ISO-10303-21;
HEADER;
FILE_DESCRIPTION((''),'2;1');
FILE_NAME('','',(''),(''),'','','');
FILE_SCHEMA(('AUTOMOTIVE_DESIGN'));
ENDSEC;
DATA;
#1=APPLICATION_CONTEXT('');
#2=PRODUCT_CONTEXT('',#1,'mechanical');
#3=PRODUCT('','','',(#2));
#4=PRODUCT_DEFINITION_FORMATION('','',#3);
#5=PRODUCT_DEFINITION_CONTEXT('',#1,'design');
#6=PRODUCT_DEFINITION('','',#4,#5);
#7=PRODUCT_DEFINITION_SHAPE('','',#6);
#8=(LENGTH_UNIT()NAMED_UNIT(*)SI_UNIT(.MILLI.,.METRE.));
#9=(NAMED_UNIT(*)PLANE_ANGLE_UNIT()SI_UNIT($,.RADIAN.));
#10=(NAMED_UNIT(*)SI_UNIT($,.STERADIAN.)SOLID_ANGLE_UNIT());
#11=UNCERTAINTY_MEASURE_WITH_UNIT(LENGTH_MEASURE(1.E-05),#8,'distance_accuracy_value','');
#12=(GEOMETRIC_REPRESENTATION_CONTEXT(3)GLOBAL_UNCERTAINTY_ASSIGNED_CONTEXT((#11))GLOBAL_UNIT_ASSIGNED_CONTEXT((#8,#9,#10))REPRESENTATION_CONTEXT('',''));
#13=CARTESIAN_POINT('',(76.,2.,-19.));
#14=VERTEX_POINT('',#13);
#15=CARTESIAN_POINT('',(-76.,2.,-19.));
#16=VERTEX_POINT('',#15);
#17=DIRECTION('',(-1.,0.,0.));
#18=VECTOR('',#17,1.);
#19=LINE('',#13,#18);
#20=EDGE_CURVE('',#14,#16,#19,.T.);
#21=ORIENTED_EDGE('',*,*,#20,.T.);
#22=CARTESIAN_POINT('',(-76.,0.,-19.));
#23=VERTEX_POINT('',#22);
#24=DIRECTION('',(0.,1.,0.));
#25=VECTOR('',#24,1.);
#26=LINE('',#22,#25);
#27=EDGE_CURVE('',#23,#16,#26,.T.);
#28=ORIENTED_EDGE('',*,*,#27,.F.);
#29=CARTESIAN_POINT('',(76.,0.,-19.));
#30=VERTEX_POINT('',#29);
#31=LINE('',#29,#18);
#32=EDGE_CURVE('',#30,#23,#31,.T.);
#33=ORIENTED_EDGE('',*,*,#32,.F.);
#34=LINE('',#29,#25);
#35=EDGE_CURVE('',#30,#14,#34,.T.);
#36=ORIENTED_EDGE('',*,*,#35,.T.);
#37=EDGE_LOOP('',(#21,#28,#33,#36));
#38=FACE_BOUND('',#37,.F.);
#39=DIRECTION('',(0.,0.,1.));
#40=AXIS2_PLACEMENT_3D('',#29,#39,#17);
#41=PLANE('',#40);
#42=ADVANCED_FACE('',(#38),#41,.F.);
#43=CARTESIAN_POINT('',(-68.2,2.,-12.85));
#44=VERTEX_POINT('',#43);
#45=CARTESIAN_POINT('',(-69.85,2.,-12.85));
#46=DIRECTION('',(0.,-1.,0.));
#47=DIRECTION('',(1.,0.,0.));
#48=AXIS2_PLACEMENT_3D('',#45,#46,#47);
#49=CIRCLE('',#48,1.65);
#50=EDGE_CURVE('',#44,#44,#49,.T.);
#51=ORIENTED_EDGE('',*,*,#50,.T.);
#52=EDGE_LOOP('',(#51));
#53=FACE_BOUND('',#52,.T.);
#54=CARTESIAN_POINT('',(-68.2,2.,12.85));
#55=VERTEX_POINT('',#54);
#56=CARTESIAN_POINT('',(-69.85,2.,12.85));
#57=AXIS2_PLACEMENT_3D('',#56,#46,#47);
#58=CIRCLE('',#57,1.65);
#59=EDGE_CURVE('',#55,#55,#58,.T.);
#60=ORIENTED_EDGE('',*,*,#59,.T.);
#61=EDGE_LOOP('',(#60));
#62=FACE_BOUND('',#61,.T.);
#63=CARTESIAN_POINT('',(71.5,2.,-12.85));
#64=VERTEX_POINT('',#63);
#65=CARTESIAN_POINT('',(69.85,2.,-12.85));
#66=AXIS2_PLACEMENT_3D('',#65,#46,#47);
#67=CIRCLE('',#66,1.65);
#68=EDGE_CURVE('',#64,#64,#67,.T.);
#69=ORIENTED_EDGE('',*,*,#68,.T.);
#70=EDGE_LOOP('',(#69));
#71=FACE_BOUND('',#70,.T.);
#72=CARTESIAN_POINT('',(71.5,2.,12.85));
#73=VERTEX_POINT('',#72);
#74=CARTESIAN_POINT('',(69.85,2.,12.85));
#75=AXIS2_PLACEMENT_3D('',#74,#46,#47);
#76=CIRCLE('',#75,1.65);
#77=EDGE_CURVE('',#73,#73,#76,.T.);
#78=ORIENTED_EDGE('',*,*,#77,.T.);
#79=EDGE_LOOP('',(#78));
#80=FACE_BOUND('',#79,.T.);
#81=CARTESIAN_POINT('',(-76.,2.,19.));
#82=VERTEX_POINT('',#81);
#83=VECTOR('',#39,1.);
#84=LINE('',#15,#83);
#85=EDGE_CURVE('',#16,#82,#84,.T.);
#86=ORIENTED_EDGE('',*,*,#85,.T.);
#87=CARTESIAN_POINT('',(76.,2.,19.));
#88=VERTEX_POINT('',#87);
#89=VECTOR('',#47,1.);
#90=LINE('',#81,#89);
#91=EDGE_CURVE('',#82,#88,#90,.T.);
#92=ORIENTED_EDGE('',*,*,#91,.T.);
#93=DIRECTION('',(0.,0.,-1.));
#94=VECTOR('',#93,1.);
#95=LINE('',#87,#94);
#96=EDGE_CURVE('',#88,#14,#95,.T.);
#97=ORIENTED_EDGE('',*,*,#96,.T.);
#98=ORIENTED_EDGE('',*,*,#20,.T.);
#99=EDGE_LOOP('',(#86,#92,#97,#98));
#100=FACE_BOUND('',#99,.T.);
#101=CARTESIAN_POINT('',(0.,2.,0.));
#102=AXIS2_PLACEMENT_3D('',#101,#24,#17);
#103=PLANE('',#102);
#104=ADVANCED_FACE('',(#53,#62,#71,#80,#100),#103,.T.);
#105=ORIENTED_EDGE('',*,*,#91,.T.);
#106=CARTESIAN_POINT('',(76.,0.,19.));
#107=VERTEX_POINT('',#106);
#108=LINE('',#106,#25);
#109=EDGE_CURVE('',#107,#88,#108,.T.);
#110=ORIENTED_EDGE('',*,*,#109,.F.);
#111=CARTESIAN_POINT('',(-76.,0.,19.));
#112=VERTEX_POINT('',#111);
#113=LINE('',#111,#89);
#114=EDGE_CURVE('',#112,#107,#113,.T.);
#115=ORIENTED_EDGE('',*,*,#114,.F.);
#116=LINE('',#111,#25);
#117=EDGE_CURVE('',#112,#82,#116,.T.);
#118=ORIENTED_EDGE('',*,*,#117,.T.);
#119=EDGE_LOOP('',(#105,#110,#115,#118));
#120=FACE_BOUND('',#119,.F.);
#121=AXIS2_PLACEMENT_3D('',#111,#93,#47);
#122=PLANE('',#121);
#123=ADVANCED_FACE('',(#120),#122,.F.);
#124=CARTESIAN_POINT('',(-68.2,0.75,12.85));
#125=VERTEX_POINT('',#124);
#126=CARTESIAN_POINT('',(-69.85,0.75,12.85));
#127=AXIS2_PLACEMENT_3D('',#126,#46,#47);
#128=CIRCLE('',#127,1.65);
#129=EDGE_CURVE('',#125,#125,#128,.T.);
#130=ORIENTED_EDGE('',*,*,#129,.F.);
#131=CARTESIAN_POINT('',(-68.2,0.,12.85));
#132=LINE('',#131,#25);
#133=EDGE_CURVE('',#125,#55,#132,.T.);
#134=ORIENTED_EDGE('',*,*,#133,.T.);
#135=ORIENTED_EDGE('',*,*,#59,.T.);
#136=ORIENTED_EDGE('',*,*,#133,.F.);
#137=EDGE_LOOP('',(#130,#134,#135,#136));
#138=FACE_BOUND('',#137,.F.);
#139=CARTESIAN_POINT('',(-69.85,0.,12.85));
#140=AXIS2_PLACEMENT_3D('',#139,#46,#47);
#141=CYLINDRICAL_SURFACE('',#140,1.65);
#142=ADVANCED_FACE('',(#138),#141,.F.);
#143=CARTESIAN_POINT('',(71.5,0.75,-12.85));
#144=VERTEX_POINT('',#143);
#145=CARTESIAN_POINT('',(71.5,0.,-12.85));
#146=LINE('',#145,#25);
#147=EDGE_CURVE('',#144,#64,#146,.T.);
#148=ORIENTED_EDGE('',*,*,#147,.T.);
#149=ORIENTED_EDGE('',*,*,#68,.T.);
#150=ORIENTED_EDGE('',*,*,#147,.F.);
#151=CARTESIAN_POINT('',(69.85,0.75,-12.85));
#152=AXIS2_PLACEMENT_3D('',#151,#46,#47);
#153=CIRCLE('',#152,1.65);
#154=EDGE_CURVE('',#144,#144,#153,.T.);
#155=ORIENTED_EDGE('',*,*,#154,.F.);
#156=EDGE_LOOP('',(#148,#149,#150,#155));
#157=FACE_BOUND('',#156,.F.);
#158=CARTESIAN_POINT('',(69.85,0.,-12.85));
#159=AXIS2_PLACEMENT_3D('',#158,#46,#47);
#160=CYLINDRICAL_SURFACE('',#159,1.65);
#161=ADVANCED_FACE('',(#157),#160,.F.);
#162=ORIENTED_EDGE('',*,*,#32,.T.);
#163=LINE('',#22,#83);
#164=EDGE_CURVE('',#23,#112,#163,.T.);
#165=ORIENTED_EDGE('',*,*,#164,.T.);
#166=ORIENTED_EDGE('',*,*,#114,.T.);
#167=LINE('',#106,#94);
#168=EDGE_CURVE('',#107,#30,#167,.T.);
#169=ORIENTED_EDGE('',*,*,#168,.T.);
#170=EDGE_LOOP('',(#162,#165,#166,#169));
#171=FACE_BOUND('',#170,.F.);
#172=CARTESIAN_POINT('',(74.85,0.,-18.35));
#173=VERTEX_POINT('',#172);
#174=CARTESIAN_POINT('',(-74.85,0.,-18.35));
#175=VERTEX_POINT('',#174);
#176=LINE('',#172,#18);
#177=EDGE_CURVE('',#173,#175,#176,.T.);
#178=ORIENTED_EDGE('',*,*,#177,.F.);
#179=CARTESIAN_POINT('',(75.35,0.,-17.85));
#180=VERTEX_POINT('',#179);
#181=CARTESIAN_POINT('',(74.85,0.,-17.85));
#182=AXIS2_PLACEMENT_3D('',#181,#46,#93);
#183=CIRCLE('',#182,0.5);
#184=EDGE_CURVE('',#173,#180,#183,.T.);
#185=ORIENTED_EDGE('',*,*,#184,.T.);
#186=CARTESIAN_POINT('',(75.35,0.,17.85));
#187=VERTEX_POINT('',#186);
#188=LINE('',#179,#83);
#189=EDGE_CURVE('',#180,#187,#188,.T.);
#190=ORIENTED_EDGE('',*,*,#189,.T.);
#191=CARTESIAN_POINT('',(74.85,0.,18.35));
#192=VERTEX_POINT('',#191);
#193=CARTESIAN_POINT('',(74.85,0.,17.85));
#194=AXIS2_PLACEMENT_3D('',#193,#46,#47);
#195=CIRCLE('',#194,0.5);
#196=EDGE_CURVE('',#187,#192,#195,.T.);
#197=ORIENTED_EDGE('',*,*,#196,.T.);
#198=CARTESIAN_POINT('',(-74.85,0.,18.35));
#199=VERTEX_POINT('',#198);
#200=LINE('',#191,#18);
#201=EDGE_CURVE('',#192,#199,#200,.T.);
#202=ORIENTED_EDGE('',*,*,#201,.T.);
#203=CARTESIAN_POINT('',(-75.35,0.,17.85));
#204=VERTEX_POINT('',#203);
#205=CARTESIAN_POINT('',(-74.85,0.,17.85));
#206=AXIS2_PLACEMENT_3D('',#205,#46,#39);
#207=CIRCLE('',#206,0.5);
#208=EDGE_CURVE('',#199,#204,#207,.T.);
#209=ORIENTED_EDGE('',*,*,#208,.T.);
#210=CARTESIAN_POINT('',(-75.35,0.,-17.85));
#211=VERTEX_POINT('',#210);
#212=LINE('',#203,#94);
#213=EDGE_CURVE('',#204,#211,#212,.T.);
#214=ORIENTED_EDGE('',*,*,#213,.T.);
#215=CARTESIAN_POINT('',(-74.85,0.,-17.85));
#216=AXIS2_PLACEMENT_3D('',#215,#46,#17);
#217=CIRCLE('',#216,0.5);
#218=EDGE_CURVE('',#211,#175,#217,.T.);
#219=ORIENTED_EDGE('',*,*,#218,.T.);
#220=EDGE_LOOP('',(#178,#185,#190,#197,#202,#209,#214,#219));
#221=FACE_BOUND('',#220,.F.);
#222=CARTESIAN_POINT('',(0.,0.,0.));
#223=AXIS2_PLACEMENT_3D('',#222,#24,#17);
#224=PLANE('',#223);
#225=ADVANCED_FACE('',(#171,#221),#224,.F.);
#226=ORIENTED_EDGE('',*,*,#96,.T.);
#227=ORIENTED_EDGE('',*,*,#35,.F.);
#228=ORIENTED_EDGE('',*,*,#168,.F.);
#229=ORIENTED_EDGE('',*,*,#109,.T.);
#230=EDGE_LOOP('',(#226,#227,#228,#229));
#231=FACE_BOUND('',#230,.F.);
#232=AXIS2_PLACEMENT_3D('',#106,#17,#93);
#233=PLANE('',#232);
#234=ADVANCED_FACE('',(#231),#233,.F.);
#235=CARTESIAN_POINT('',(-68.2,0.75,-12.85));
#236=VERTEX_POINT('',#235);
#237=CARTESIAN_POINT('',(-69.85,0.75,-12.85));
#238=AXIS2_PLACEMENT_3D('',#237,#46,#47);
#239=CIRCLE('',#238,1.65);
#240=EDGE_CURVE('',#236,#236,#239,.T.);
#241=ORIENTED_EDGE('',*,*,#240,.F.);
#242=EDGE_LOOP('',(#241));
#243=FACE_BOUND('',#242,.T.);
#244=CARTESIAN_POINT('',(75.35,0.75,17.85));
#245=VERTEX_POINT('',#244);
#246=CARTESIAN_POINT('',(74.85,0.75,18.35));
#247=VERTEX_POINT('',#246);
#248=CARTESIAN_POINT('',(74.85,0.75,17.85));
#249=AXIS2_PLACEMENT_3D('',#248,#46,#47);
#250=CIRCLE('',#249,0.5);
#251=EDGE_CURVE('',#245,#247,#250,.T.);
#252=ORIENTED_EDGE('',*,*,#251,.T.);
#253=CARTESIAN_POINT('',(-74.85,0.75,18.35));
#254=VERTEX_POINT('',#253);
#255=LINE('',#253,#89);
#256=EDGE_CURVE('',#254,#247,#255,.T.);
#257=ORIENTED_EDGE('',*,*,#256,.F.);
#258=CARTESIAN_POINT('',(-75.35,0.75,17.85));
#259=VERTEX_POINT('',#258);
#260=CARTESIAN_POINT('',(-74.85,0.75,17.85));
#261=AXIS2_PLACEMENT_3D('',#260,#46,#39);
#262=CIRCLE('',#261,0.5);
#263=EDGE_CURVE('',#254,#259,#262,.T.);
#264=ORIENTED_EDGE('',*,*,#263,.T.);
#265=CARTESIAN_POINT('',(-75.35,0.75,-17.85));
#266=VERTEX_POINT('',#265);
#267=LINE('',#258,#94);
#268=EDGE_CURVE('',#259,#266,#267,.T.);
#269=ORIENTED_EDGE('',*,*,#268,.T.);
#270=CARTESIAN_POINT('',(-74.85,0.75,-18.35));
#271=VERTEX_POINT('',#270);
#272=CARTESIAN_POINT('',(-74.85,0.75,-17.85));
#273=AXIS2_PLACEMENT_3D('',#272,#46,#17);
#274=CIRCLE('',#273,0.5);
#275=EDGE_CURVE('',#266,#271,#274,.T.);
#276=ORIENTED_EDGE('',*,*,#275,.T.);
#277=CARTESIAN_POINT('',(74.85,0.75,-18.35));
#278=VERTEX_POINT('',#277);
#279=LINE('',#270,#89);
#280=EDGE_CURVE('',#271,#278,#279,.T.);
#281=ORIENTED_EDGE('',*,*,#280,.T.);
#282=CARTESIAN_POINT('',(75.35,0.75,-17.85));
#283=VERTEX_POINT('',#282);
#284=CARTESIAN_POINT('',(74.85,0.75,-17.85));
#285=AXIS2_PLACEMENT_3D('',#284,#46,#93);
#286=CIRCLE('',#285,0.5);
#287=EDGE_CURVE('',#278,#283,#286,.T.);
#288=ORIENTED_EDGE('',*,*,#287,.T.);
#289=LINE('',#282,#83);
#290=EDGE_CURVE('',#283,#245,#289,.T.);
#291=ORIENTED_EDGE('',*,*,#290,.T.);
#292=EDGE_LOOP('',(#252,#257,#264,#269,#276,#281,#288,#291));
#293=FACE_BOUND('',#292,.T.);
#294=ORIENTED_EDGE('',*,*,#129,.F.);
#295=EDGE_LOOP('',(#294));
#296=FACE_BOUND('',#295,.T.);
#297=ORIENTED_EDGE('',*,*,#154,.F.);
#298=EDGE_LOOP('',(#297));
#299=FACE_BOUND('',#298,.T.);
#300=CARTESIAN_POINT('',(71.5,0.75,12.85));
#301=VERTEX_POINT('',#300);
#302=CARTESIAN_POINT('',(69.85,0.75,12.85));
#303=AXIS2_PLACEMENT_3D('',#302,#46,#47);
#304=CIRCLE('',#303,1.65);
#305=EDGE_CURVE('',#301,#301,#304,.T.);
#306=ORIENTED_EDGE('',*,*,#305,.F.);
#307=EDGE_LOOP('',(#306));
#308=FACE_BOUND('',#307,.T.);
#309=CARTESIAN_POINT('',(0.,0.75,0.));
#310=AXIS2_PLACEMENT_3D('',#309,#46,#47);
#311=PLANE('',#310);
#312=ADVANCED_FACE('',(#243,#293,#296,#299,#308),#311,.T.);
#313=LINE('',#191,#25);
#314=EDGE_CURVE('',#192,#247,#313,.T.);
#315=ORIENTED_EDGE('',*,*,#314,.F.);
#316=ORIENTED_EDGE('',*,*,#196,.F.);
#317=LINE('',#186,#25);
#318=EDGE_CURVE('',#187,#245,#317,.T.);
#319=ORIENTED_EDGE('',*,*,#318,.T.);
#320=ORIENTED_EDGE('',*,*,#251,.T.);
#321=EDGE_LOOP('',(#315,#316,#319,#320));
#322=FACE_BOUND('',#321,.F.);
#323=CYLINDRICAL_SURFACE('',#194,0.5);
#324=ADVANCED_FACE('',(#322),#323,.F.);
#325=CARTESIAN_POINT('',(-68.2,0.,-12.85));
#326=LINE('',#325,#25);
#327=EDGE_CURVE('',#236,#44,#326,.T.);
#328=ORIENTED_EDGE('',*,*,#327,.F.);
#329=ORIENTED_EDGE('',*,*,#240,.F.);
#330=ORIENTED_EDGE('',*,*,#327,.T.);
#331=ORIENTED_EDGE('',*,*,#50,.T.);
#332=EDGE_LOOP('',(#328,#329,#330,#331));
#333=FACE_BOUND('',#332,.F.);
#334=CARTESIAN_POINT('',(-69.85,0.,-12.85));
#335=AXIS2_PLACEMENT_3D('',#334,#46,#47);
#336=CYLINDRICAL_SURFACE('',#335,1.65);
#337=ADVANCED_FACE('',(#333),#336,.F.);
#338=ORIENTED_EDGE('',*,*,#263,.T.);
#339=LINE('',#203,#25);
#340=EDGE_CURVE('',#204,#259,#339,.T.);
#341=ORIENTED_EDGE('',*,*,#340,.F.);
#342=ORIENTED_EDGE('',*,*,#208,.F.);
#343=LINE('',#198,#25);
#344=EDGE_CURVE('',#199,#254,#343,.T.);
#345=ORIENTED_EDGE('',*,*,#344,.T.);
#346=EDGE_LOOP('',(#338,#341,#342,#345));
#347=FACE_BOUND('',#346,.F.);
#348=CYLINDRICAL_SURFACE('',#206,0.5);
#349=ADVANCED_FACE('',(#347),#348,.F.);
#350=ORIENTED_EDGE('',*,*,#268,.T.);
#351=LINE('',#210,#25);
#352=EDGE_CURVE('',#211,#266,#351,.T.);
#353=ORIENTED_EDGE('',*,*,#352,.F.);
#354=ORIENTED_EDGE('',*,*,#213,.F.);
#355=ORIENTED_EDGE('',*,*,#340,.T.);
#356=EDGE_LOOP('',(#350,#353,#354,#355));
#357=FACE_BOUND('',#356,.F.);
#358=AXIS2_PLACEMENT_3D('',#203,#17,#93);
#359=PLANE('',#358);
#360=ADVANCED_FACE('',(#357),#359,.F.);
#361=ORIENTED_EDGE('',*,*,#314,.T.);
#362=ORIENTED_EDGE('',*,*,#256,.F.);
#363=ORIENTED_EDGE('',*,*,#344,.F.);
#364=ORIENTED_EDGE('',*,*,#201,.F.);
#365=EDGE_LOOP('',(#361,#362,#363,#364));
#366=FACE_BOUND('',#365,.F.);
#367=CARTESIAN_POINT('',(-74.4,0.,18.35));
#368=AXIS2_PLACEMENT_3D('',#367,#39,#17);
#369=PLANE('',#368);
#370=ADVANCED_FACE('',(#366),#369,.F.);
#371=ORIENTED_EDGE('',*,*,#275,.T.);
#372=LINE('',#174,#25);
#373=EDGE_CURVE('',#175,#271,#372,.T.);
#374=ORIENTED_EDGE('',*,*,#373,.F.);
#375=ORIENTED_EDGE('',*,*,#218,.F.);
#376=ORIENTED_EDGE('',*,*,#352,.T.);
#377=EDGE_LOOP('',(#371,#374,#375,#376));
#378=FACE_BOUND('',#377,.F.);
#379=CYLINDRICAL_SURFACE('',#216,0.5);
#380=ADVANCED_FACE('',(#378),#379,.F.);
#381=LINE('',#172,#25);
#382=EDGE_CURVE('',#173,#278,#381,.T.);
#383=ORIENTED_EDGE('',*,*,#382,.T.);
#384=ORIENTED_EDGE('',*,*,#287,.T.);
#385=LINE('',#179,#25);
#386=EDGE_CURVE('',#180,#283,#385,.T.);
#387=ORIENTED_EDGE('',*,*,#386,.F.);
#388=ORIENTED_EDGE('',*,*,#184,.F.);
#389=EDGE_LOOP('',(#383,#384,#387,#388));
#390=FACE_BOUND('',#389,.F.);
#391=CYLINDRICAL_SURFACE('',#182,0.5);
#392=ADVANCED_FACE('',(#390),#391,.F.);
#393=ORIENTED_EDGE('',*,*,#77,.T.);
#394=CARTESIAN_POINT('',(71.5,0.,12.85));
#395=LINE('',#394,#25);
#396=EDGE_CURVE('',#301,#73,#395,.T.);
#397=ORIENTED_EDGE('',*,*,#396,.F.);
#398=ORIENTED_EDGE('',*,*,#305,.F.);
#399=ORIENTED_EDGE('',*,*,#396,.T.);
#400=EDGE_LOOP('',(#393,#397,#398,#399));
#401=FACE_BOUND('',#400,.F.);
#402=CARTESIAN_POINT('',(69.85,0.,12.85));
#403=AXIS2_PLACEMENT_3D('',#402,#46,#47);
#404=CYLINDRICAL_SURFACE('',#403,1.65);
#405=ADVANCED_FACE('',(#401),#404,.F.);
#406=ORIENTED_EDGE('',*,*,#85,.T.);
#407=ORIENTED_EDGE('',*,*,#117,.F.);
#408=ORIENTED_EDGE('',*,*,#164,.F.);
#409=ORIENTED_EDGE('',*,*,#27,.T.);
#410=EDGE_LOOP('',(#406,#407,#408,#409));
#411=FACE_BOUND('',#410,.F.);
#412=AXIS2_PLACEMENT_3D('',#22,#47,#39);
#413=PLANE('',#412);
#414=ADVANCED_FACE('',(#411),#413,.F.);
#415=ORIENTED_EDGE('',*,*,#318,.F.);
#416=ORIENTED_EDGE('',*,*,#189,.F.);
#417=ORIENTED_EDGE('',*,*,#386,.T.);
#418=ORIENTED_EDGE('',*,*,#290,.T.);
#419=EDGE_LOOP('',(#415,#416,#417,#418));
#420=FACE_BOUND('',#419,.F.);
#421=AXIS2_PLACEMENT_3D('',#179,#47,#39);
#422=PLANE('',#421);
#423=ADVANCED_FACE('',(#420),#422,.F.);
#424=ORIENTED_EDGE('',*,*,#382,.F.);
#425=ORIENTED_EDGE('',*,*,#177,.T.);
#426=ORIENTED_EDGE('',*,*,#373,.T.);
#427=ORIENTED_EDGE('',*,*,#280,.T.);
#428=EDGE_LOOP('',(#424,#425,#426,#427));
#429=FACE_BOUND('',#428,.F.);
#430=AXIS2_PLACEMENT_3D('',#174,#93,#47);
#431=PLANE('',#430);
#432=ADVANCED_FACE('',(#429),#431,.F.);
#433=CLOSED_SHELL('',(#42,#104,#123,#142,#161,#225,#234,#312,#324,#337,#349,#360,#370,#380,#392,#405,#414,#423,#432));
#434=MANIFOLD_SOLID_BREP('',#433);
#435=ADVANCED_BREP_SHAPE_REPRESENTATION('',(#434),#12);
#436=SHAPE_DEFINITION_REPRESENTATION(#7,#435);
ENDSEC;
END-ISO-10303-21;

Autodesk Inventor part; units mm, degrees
ref_plane "YZ Plane" through (0, 0, 0) normal (1, 0, 0) x (0, 1, 0)
ref_plane "XZ Plane" through (0, 0, 0) normal (0, 1, 0) x (-1, 0, 0)
ref_plane "XY Plane" through (0, 0, 0) normal (0, 0, 1) x (1, 0, 0)
sketch "Sketch1" plane through (0, 0, 0) normal (0, 1, 0) x (-1, 0, 0)
  line L0 (76, 19) -> (-76, 19)
  line L1 (-76, 19) -> (-76, -19)
  line L2 (-76, -19) -> (76, -19)
  line L3 (76, -19) -> (76, 19)
  line L4 (76, 19) -> (-76, -19) construction
  line L5 (-76, 19) -> (76, -19) construction
  point P0 (0, 0)
  dimension "d0" = 152
  dimension "d1" = 38
extrude "Extrusion1" add sketch "Sketch1" along normal blind 2
sketch "Sketch2" plane through (0, 0, 0) normal (0, -1, 0) x (1, 0, 0)
  line L0 (76, 19) -> (76, -19)
  line L1 (-76, 19) -> (76, 19)
  line L2 (-76, -19) -> (-76, 19)
  line L3 (76, -19) -> (-76, -19)
  line L4 (-76, -19) -> (-76, 19)
  line L5 (-76, 19) -> (76, 19)
  line L6 (-76, -19) -> (76, -19)
  line L7 (76, -19) -> (76, 19)
  line L8 (76, 19) -> (-76, 19)
  line L9 (-76, 19) -> (-76, -19)
  line L10 (-76, -19) -> (-75.15, -19)
  line L11 (76, -19) -> (-76, -19)
  line L12 (76, 19) -> (76, 18.15)
  line L13 (76, 19) -> (76, -19)
  line L14 (-74.85, -18.35) -> (74.85, -18.35)
  line L15 (75.35, -17.85) -> (75.35, 17.85)
  line L16 (74.85, 18.35) -> (-74.85, 18.35)
  line L17 (-75.35, 17.85) -> (-75.35, -17.85)
  line L18 (75.35, -18.35) -> (74.4, -18.35)
  line L19 (-75.35, 18.35) -> (-74.4, 18.35)
  line L20 (73.35, -16.85) -> (-73.35, -16.85)
  line L21 (-73.85, -16.35) -> (-73.85, 16.35)
  line L22 (-73.35, 16.85) -> (73.35, 16.85)
  line L23 (73.85, 16.35) -> (73.85, -16.35)
  arc A0 (-74.85, 18.35) -> (-75.35, 17.85) centre (-74.85, 17.85) ccw
  arc A1 (-73.35, 16.85) -> (-73.85, 16.35) centre (-73.35, 16.35) ccw
  arc A2 (-75.35, -17.85) -> (-74.85, -18.35) centre (-74.85, -17.85) ccw
  arc A3 (-73.85, -16.35) -> (-73.35, -16.85) centre (-73.35, -16.35) ccw
  arc A4 (73.35, -16.85) -> (73.85, -16.35) centre (73.35, -16.35) ccw
  arc A5 (74.85, -18.35) -> (75.35, -17.85) centre (74.85, -17.85) ccw
  arc A6 (73.85, 16.35) -> (73.35, 16.85) centre (73.35, 16.35) ccw
  arc A7 (75.35, 17.85) -> (74.85, 18.35) centre (74.85, 17.85) ccw
  point P0 (0, 0)
  point P1 (-75.35, -18.35)
  point P2 (75.35, 18.35)
  point P3 (73.85, -16.85)
  point P4 (-73.85, 16.85)
  point P5 (-73.85, -16.85)
  point P6 (73.85, 16.85)
  dimension "d28" = 1.5
  dimension "d29" = 1.5
  dimension "d30" = 1.5
  dimension "d32" = 1.5
  dimension "d33" = 0.65
  dimension "d34" = 0.65
  dimension "d35" = 0.65
  dimension "d36" = 0.65
  dimension "d37" = 0.5
extrude "Extrusion2" cut sketch "Sketch2" against normal blind 0.75 contours A2 L17 A0 L16 A7 L15 A5 L14 | L20 A3 L21 A1 L22 A6 L23 A4
sketch "Sketch3" plane through (0, 0, 0) normal (0, -1, 0) x (1, 0, 0)
  line L0 (-74.85, 18.35) -> (74.85, 18.35)
  line L1 (-75.35, -17.85) -> (-75.35, 17.85)
  line L2 (74.85, -18.35) -> (-74.85, -18.35)
  line L3 (75.35, 17.85) -> (75.35, -17.85)
  line L4 (76, 19) -> (76, -19)
  line L5 (-76, 19) -> (76, 19)
  line L6 (-76, -19) -> (-76, 19)
  line L7 (76, -19) -> (-76, -19)
  line L8 (-75.35, -17.85) -> (-75.35, 17.85)
  line L9 (-74.85, 18.35) -> (74.85, 18.35)
  line L10 (75.35, 17.85) -> (75.35, -17.85)
  line L11 (74.85, -18.35) -> (-74.85, -18.35)
  line L12 (-73.85, 16.85) -> (-73.85, -16.85)
  line L13 (-73.85, -16.85) -> (73.85, -16.85)
  line L14 (73.85, -16.85) -> (73.85, 16.85)
  line L15 (73.85, 16.85) -> (-73.85, 16.85)
  line L16 (-73.85, 16.85) -> (-73.85, -16.85)
  line L17 (-73.85, 16.85) -> (-65.85, 16.85)
  line L18 (-65.85, 16.85) -> (-65.85, 8.85)
  line L19 (-65.85, 8.85) -> (-73.85, 8.85)
  line L20 (-73.85, 8.85) -> (-73.85, 16.85)
  line L21 (-73.85, -16.85) -> (-65.85, -16.85)
  line L22 (-65.85, -16.85) -> (-65.85, -8.85)
  line L23 (-65.85, -8.85) -> (-73.85, -8.85)
  line L24 (-73.85, -8.85) -> (-73.85, -16.85)
  line L25 (73.85, -16.85) -> (73.85, 16.85)
  line L26 (73.85, 16.85) -> (65.85, 16.85)
  line L27 (65.85, 16.85) -> (65.85, 8.85)
  line L28 (65.85, 8.85) -> (73.85, 8.85)
  line L29 (73.85, 8.85) -> (73.85, 16.85)
  line L30 (-73.85, -16.85) -> (73.85, -16.85)
  line L31 (73.85, -16.85) -> (65.85, -16.85)
  line L32 (65.85, -16.85) -> (65.85, -8.85)
  line L33 (65.85, -8.85) -> (73.85, -8.85)
  line L34 (73.85, -8.85) -> (73.85, -16.85)
  line L35 (-73.85, -16.85) -> (-65.85, -8.85)
  line L36 (-65.85, -16.85) -> (-73.85, -8.85)
  line L37 (-73.85, 8.85) -> (-65.85, 16.85)
  line L38 (73.85, 16.85) -> (-73.85, 16.85)
  line L39 (-65.85, 8.85) -> (-73.85, 16.85)
  circle A0 centre (-69.85, -12.85) radius 1.65
  circle A1 centre (-69.85, 12.85) radius 1.65
  line L40 (65.85, -16.85) -> (73.85, -8.85)
  line L41 (65.85, 8.85) -> (73.85, 16.85)
  line L42 (73.85, 8.85) -> (65.85, 16.85)
  line L43 (73.85, -16.85) -> (65.85, -8.85)
  circle A2 centre (69.85, -12.85) radius 1.65
  circle A3 centre (69.85, 12.85) radius 1.65
  arc A4 (-75.35, -17.85) -> (-74.85, -18.35) centre (-74.85, -17.85) ccw
  arc A5 (-74.85, 18.35) -> (-75.35, 17.85) centre (-74.85, 17.85) ccw
  arc A6 (75.35, 17.85) -> (74.85, 18.35) centre (74.85, 17.85) ccw
  arc A7 (74.85, -18.35) -> (75.35, -17.85) centre (74.85, -17.85) ccw
  arc A8 (-75.35, -17.85) -> (-74.85, -18.35) centre (-74.85, -17.85) ccw
  arc A9 (74.85, -18.35) -> (75.35, -17.85) centre (74.85, -17.85) ccw
  arc A10 (75.35, 17.85) -> (74.85, 18.35) centre (74.85, 17.85) ccw
  arc A11 (-74.85, 18.35) -> (-75.35, 17.85) centre (-74.85, 17.85) ccw
  point P0 (0, 0)
  dimension "d14" = 8
  dimension "d15" = 8
  dimension "d16" = 8
  dimension "d17" = 8
  dimension "d18" = 8
  dimension "d19" = 8
  dimension "d20" = 8
  dimension "d21" = 8
  dimension "d22" = 3.3
  dimension "d23" = 3.3
  dimension "d24" = 3.3
  dimension "d25" = 3.3
extrude "Extrusion3" cut sketch "Sketch3" against normal blind 3 contours A1 L37 L39 | L39 L37 A1 | L37 L39 A1 | A1 L39 L37 | A0 L35 L36 | L36 L35 A0 | A3 L41 L42 | L42 L41 A3 | L35 L36 A0 | A0 L36 L35 | A3 L42 L41 | L41 L42 A3 | A2 L43 L40 | L40 L43 A2 | A2 L43 L40 | L40 L43 A2
sketch "Sketch4" plane through (0, 0, 0) normal (0, -1, 0) x (1, 0, 0)
  point P0 (0, 0)
properties part number "tapa" material "Steel, Mild, Welded"
